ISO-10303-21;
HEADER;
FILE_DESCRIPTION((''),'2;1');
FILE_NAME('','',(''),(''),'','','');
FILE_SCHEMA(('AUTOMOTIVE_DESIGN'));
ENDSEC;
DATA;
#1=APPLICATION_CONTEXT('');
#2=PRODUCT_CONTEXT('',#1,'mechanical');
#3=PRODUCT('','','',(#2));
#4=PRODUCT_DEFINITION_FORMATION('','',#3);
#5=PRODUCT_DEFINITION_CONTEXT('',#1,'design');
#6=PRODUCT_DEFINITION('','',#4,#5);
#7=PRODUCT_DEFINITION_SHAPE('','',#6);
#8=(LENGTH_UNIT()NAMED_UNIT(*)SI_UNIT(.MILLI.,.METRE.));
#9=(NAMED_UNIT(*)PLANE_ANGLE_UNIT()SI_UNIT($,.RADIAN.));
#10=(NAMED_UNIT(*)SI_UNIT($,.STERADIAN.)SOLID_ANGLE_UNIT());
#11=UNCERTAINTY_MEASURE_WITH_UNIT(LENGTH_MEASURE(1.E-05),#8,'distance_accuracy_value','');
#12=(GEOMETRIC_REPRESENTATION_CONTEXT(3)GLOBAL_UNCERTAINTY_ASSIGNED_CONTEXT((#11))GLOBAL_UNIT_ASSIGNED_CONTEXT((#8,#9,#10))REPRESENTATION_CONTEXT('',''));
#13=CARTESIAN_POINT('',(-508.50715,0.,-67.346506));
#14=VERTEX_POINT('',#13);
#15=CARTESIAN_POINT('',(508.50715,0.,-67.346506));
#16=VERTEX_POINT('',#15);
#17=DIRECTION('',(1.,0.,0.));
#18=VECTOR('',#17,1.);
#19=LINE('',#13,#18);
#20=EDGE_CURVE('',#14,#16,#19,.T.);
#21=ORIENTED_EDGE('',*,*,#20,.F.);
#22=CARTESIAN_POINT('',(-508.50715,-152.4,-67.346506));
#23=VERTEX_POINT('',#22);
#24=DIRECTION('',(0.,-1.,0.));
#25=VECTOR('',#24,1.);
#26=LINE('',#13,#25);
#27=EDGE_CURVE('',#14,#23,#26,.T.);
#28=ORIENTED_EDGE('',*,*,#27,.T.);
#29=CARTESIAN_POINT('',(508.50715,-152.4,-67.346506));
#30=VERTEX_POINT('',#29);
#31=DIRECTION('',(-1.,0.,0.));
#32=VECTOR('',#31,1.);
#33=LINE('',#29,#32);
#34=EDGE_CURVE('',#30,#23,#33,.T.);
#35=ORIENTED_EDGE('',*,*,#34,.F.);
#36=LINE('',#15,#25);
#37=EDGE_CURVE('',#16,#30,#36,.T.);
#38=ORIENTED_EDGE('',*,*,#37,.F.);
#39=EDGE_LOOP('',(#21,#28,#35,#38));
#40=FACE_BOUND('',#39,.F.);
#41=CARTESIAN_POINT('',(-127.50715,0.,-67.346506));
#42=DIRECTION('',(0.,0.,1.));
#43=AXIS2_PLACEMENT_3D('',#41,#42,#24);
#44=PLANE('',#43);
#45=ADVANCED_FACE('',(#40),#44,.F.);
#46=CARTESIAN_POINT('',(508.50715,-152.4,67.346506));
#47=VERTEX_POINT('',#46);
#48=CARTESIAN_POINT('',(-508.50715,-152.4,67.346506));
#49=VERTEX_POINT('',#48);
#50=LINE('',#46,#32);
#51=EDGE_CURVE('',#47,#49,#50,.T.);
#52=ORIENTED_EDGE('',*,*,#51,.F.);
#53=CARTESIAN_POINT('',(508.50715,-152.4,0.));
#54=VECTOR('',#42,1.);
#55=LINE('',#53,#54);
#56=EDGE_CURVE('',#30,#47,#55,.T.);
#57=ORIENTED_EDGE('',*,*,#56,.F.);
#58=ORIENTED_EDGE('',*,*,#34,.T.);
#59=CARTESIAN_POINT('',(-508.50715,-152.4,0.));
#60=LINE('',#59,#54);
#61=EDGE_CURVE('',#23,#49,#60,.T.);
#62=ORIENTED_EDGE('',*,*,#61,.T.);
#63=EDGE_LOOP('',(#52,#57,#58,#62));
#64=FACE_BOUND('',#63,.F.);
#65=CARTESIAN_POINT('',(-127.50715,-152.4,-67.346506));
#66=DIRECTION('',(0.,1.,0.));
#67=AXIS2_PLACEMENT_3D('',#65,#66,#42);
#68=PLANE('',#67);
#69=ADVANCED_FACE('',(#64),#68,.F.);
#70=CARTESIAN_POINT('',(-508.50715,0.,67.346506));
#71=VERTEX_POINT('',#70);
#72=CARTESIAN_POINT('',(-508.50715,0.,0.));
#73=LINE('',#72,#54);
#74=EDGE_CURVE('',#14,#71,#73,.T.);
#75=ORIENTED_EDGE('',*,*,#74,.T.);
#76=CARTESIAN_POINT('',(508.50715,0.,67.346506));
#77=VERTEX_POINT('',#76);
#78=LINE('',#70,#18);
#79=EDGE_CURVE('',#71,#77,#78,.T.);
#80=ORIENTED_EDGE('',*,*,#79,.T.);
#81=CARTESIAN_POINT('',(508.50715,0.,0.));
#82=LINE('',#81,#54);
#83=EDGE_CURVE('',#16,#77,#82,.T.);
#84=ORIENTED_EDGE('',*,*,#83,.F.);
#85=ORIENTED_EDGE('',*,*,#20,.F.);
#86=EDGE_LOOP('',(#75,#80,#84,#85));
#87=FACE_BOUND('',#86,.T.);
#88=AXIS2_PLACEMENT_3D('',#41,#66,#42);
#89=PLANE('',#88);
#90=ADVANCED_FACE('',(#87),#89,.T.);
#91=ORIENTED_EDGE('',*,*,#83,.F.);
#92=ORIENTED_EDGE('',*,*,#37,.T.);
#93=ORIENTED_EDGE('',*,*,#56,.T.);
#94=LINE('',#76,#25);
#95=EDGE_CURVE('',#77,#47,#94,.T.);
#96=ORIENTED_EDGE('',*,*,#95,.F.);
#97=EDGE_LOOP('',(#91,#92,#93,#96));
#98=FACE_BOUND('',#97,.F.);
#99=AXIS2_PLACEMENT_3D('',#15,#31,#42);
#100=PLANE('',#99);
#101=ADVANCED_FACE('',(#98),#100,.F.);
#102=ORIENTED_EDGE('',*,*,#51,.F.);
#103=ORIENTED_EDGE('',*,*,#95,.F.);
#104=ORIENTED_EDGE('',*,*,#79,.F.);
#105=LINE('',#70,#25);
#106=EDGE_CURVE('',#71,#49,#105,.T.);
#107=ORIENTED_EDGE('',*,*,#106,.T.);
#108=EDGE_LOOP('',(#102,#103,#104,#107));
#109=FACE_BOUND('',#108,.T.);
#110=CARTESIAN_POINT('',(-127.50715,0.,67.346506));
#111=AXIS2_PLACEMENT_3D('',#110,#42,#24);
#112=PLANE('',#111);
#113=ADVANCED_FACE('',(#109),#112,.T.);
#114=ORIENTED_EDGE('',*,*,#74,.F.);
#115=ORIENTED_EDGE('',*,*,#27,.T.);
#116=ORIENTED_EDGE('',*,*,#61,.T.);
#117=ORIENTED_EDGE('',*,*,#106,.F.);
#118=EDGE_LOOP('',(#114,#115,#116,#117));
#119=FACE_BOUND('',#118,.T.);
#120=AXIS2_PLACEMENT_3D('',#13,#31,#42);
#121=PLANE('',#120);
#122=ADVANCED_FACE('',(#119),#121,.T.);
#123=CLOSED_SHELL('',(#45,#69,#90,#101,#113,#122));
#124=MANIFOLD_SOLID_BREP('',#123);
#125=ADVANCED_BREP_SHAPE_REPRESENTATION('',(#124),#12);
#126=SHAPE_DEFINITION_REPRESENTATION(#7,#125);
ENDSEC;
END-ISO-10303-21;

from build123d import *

# Parameters (mm, degrees)
F0_W     = 255.0143003464
F0_H     = 134.6930116415
F1_DEPTH = 152.4
F2_DEPTH = 381
F3_DEPTH = 381


with BuildPart() as f1:
    # F0 (on Front) → F1 (new body)
    with BuildSketch(Plane.XZ):
        Rectangle(F0_W, F0_H)
    extrude(amount=F1_DEPTH)

    # F2 (add): a face of the model
    f2_faces = [f1.faces().sort_by_distance(p)[0] for p in [
        (127.5071501732, -76.2, 0),
    ]]
    extrude(f2_faces, amount=F2_DEPTH)

    # F3 (add): a face of the model
    f3_faces = [f1.faces().sort_by_distance(p)[0] for p in [
        (-127.5071501732, -76.2, 0),
    ]]
    extrude(f3_faces, amount=F3_DEPTH)


solid = f1.part
